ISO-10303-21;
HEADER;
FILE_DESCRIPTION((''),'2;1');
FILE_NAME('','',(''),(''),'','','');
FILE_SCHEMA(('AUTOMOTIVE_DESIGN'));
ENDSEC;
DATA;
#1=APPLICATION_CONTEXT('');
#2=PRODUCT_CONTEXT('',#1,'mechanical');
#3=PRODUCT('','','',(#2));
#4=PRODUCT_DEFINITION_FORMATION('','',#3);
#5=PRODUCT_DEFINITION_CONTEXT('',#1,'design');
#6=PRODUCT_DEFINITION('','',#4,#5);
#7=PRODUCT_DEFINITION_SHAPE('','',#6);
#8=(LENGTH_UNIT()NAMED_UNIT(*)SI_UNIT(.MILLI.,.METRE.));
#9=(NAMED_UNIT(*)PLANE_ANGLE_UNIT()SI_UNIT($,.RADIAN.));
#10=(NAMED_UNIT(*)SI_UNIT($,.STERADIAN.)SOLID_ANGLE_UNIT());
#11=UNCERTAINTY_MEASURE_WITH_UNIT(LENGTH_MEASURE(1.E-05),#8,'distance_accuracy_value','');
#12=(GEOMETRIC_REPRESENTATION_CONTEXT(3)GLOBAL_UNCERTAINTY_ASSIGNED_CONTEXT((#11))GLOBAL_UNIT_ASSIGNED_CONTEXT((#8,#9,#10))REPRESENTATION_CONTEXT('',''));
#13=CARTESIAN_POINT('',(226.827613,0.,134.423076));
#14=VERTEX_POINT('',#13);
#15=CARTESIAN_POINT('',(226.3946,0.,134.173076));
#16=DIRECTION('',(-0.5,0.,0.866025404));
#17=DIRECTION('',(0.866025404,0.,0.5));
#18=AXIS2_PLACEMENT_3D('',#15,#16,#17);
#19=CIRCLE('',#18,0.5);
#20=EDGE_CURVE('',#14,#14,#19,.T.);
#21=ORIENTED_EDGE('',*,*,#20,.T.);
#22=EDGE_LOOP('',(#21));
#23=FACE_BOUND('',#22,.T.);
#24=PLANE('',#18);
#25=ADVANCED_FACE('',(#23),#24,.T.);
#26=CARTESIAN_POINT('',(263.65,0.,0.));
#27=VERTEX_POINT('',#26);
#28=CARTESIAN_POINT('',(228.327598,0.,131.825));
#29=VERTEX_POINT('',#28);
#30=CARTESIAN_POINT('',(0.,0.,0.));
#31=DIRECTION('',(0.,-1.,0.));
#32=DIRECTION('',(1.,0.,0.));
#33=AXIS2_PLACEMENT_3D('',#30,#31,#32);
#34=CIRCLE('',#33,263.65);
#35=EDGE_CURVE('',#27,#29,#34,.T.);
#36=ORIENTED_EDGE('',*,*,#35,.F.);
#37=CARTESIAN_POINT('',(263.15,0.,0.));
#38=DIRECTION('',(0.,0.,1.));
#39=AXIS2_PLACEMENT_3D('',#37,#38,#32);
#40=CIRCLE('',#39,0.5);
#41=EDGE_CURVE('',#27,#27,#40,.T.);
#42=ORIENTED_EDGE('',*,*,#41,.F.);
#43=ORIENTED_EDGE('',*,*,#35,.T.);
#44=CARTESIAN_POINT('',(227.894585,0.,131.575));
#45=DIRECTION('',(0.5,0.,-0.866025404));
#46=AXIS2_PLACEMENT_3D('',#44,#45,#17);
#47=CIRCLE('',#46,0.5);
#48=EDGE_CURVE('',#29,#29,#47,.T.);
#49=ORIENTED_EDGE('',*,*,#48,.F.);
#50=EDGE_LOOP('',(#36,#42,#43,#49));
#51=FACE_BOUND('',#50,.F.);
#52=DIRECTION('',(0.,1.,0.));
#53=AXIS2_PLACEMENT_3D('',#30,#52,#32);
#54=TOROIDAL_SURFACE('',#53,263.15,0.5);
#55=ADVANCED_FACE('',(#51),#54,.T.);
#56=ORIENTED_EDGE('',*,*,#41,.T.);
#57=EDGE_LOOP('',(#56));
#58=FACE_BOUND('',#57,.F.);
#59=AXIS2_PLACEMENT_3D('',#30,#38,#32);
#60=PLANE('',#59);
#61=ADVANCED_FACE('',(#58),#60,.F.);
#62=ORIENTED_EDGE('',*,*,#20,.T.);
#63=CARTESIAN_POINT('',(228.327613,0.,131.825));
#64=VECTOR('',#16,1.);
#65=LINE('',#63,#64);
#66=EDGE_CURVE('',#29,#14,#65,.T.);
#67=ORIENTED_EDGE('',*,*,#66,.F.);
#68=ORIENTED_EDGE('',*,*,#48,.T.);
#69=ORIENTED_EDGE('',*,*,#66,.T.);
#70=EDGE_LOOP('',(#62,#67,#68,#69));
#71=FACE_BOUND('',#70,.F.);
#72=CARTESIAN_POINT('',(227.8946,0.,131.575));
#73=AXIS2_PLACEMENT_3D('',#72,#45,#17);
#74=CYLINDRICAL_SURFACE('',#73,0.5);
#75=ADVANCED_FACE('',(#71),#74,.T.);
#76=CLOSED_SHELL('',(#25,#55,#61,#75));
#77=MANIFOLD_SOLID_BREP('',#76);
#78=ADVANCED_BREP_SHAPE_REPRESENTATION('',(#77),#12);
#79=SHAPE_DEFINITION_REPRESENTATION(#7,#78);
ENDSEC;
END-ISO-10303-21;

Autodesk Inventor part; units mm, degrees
ref_plane "YZ Plane" through (0, 0, 0) normal (1, 0, 0) x (0, 1, 0)
ref_plane "XZ Plane" through (0, 0, 0) normal (0, 1, 0) x (-1, 0, 0)
ref_plane "XY Plane" through (0, 0, 0) normal (0, 0, 1) x (1, 0, 0)
sketch "Sketch1" plane through (0, 0, 0) normal (0, 0, 1) x (1, 0, 0)
  circle A0 centre (263.15, 0) radius 0.5
  line L0 (0, -0.7) -> (0, 0.7) projected
  point P0 (0, 0)
  dimension "d0" = 1
  dimension "d1" = 263.15
  dimension "d2" = 0
revolve "Revolution1" add sketch "Sketch1" angle 30 about axis through (0, -10, 0) along (0, -1, 0)
sketch "Sketch2" plane through (227.8946, 0, 131.575) normal (-0.5, 0, 0.866) x (0.866, 0, 0.5)
  circle A0 centre (0, 0) radius 0.5 projected
  line L0 (-49.45, 0.5) -> (-49.45, -0.5) projected
  point P0 (-263.15, 0)
extrude "Extrusion1" add sketch "Sketch2" along normal blind 3
equation "\"d0\" = OpticalFiberDiameter"
equation "\"d3\" = LongFiberAngle"
equation "\"d4\" = ScintillatorEdgeClearence - MPPCDepth"
equation "\"OpticalFiberDiameter\" = 1"
equation "\"OpticalFiberClearence\" = 0.15"
equation "\"SmallTrackDiameter\" = 175"
equation "\"ScintillatorEdgeClearence\" = 3"
equation "\"ScintillatorWidth\" = 145"
equation "\"ScintillatorHeight\" = 145"
equation "\"ShallowTrackDepth\" = 1.3"
equation "\"MPPCClearence\" = 0.075"
equation "\"MPPCSensorClearence\" = 1.45"
equation "\"MPPCSensorOffsett\" = 2.105"
equation "\"MPPCWidth\" = 5.9"
equation "\"MPPCHeight\" = 6.55"
equation "\"FiberEdgeOffsett\" = 5"
equation "\"MPPCDepth\" = 0"
equation "\"LongFiberAngle\" = 30deg"
equation "\"ShortFiberAngle\" = 78deg"
equation "\"LoopLargeTrackRatio\" = 1.1"
equation "\"FiberSensorClerence\" = 0.5"
equation "\"MountingScrewDepth\" = 4"
properties part number "Long Fiber" material "Glass"
